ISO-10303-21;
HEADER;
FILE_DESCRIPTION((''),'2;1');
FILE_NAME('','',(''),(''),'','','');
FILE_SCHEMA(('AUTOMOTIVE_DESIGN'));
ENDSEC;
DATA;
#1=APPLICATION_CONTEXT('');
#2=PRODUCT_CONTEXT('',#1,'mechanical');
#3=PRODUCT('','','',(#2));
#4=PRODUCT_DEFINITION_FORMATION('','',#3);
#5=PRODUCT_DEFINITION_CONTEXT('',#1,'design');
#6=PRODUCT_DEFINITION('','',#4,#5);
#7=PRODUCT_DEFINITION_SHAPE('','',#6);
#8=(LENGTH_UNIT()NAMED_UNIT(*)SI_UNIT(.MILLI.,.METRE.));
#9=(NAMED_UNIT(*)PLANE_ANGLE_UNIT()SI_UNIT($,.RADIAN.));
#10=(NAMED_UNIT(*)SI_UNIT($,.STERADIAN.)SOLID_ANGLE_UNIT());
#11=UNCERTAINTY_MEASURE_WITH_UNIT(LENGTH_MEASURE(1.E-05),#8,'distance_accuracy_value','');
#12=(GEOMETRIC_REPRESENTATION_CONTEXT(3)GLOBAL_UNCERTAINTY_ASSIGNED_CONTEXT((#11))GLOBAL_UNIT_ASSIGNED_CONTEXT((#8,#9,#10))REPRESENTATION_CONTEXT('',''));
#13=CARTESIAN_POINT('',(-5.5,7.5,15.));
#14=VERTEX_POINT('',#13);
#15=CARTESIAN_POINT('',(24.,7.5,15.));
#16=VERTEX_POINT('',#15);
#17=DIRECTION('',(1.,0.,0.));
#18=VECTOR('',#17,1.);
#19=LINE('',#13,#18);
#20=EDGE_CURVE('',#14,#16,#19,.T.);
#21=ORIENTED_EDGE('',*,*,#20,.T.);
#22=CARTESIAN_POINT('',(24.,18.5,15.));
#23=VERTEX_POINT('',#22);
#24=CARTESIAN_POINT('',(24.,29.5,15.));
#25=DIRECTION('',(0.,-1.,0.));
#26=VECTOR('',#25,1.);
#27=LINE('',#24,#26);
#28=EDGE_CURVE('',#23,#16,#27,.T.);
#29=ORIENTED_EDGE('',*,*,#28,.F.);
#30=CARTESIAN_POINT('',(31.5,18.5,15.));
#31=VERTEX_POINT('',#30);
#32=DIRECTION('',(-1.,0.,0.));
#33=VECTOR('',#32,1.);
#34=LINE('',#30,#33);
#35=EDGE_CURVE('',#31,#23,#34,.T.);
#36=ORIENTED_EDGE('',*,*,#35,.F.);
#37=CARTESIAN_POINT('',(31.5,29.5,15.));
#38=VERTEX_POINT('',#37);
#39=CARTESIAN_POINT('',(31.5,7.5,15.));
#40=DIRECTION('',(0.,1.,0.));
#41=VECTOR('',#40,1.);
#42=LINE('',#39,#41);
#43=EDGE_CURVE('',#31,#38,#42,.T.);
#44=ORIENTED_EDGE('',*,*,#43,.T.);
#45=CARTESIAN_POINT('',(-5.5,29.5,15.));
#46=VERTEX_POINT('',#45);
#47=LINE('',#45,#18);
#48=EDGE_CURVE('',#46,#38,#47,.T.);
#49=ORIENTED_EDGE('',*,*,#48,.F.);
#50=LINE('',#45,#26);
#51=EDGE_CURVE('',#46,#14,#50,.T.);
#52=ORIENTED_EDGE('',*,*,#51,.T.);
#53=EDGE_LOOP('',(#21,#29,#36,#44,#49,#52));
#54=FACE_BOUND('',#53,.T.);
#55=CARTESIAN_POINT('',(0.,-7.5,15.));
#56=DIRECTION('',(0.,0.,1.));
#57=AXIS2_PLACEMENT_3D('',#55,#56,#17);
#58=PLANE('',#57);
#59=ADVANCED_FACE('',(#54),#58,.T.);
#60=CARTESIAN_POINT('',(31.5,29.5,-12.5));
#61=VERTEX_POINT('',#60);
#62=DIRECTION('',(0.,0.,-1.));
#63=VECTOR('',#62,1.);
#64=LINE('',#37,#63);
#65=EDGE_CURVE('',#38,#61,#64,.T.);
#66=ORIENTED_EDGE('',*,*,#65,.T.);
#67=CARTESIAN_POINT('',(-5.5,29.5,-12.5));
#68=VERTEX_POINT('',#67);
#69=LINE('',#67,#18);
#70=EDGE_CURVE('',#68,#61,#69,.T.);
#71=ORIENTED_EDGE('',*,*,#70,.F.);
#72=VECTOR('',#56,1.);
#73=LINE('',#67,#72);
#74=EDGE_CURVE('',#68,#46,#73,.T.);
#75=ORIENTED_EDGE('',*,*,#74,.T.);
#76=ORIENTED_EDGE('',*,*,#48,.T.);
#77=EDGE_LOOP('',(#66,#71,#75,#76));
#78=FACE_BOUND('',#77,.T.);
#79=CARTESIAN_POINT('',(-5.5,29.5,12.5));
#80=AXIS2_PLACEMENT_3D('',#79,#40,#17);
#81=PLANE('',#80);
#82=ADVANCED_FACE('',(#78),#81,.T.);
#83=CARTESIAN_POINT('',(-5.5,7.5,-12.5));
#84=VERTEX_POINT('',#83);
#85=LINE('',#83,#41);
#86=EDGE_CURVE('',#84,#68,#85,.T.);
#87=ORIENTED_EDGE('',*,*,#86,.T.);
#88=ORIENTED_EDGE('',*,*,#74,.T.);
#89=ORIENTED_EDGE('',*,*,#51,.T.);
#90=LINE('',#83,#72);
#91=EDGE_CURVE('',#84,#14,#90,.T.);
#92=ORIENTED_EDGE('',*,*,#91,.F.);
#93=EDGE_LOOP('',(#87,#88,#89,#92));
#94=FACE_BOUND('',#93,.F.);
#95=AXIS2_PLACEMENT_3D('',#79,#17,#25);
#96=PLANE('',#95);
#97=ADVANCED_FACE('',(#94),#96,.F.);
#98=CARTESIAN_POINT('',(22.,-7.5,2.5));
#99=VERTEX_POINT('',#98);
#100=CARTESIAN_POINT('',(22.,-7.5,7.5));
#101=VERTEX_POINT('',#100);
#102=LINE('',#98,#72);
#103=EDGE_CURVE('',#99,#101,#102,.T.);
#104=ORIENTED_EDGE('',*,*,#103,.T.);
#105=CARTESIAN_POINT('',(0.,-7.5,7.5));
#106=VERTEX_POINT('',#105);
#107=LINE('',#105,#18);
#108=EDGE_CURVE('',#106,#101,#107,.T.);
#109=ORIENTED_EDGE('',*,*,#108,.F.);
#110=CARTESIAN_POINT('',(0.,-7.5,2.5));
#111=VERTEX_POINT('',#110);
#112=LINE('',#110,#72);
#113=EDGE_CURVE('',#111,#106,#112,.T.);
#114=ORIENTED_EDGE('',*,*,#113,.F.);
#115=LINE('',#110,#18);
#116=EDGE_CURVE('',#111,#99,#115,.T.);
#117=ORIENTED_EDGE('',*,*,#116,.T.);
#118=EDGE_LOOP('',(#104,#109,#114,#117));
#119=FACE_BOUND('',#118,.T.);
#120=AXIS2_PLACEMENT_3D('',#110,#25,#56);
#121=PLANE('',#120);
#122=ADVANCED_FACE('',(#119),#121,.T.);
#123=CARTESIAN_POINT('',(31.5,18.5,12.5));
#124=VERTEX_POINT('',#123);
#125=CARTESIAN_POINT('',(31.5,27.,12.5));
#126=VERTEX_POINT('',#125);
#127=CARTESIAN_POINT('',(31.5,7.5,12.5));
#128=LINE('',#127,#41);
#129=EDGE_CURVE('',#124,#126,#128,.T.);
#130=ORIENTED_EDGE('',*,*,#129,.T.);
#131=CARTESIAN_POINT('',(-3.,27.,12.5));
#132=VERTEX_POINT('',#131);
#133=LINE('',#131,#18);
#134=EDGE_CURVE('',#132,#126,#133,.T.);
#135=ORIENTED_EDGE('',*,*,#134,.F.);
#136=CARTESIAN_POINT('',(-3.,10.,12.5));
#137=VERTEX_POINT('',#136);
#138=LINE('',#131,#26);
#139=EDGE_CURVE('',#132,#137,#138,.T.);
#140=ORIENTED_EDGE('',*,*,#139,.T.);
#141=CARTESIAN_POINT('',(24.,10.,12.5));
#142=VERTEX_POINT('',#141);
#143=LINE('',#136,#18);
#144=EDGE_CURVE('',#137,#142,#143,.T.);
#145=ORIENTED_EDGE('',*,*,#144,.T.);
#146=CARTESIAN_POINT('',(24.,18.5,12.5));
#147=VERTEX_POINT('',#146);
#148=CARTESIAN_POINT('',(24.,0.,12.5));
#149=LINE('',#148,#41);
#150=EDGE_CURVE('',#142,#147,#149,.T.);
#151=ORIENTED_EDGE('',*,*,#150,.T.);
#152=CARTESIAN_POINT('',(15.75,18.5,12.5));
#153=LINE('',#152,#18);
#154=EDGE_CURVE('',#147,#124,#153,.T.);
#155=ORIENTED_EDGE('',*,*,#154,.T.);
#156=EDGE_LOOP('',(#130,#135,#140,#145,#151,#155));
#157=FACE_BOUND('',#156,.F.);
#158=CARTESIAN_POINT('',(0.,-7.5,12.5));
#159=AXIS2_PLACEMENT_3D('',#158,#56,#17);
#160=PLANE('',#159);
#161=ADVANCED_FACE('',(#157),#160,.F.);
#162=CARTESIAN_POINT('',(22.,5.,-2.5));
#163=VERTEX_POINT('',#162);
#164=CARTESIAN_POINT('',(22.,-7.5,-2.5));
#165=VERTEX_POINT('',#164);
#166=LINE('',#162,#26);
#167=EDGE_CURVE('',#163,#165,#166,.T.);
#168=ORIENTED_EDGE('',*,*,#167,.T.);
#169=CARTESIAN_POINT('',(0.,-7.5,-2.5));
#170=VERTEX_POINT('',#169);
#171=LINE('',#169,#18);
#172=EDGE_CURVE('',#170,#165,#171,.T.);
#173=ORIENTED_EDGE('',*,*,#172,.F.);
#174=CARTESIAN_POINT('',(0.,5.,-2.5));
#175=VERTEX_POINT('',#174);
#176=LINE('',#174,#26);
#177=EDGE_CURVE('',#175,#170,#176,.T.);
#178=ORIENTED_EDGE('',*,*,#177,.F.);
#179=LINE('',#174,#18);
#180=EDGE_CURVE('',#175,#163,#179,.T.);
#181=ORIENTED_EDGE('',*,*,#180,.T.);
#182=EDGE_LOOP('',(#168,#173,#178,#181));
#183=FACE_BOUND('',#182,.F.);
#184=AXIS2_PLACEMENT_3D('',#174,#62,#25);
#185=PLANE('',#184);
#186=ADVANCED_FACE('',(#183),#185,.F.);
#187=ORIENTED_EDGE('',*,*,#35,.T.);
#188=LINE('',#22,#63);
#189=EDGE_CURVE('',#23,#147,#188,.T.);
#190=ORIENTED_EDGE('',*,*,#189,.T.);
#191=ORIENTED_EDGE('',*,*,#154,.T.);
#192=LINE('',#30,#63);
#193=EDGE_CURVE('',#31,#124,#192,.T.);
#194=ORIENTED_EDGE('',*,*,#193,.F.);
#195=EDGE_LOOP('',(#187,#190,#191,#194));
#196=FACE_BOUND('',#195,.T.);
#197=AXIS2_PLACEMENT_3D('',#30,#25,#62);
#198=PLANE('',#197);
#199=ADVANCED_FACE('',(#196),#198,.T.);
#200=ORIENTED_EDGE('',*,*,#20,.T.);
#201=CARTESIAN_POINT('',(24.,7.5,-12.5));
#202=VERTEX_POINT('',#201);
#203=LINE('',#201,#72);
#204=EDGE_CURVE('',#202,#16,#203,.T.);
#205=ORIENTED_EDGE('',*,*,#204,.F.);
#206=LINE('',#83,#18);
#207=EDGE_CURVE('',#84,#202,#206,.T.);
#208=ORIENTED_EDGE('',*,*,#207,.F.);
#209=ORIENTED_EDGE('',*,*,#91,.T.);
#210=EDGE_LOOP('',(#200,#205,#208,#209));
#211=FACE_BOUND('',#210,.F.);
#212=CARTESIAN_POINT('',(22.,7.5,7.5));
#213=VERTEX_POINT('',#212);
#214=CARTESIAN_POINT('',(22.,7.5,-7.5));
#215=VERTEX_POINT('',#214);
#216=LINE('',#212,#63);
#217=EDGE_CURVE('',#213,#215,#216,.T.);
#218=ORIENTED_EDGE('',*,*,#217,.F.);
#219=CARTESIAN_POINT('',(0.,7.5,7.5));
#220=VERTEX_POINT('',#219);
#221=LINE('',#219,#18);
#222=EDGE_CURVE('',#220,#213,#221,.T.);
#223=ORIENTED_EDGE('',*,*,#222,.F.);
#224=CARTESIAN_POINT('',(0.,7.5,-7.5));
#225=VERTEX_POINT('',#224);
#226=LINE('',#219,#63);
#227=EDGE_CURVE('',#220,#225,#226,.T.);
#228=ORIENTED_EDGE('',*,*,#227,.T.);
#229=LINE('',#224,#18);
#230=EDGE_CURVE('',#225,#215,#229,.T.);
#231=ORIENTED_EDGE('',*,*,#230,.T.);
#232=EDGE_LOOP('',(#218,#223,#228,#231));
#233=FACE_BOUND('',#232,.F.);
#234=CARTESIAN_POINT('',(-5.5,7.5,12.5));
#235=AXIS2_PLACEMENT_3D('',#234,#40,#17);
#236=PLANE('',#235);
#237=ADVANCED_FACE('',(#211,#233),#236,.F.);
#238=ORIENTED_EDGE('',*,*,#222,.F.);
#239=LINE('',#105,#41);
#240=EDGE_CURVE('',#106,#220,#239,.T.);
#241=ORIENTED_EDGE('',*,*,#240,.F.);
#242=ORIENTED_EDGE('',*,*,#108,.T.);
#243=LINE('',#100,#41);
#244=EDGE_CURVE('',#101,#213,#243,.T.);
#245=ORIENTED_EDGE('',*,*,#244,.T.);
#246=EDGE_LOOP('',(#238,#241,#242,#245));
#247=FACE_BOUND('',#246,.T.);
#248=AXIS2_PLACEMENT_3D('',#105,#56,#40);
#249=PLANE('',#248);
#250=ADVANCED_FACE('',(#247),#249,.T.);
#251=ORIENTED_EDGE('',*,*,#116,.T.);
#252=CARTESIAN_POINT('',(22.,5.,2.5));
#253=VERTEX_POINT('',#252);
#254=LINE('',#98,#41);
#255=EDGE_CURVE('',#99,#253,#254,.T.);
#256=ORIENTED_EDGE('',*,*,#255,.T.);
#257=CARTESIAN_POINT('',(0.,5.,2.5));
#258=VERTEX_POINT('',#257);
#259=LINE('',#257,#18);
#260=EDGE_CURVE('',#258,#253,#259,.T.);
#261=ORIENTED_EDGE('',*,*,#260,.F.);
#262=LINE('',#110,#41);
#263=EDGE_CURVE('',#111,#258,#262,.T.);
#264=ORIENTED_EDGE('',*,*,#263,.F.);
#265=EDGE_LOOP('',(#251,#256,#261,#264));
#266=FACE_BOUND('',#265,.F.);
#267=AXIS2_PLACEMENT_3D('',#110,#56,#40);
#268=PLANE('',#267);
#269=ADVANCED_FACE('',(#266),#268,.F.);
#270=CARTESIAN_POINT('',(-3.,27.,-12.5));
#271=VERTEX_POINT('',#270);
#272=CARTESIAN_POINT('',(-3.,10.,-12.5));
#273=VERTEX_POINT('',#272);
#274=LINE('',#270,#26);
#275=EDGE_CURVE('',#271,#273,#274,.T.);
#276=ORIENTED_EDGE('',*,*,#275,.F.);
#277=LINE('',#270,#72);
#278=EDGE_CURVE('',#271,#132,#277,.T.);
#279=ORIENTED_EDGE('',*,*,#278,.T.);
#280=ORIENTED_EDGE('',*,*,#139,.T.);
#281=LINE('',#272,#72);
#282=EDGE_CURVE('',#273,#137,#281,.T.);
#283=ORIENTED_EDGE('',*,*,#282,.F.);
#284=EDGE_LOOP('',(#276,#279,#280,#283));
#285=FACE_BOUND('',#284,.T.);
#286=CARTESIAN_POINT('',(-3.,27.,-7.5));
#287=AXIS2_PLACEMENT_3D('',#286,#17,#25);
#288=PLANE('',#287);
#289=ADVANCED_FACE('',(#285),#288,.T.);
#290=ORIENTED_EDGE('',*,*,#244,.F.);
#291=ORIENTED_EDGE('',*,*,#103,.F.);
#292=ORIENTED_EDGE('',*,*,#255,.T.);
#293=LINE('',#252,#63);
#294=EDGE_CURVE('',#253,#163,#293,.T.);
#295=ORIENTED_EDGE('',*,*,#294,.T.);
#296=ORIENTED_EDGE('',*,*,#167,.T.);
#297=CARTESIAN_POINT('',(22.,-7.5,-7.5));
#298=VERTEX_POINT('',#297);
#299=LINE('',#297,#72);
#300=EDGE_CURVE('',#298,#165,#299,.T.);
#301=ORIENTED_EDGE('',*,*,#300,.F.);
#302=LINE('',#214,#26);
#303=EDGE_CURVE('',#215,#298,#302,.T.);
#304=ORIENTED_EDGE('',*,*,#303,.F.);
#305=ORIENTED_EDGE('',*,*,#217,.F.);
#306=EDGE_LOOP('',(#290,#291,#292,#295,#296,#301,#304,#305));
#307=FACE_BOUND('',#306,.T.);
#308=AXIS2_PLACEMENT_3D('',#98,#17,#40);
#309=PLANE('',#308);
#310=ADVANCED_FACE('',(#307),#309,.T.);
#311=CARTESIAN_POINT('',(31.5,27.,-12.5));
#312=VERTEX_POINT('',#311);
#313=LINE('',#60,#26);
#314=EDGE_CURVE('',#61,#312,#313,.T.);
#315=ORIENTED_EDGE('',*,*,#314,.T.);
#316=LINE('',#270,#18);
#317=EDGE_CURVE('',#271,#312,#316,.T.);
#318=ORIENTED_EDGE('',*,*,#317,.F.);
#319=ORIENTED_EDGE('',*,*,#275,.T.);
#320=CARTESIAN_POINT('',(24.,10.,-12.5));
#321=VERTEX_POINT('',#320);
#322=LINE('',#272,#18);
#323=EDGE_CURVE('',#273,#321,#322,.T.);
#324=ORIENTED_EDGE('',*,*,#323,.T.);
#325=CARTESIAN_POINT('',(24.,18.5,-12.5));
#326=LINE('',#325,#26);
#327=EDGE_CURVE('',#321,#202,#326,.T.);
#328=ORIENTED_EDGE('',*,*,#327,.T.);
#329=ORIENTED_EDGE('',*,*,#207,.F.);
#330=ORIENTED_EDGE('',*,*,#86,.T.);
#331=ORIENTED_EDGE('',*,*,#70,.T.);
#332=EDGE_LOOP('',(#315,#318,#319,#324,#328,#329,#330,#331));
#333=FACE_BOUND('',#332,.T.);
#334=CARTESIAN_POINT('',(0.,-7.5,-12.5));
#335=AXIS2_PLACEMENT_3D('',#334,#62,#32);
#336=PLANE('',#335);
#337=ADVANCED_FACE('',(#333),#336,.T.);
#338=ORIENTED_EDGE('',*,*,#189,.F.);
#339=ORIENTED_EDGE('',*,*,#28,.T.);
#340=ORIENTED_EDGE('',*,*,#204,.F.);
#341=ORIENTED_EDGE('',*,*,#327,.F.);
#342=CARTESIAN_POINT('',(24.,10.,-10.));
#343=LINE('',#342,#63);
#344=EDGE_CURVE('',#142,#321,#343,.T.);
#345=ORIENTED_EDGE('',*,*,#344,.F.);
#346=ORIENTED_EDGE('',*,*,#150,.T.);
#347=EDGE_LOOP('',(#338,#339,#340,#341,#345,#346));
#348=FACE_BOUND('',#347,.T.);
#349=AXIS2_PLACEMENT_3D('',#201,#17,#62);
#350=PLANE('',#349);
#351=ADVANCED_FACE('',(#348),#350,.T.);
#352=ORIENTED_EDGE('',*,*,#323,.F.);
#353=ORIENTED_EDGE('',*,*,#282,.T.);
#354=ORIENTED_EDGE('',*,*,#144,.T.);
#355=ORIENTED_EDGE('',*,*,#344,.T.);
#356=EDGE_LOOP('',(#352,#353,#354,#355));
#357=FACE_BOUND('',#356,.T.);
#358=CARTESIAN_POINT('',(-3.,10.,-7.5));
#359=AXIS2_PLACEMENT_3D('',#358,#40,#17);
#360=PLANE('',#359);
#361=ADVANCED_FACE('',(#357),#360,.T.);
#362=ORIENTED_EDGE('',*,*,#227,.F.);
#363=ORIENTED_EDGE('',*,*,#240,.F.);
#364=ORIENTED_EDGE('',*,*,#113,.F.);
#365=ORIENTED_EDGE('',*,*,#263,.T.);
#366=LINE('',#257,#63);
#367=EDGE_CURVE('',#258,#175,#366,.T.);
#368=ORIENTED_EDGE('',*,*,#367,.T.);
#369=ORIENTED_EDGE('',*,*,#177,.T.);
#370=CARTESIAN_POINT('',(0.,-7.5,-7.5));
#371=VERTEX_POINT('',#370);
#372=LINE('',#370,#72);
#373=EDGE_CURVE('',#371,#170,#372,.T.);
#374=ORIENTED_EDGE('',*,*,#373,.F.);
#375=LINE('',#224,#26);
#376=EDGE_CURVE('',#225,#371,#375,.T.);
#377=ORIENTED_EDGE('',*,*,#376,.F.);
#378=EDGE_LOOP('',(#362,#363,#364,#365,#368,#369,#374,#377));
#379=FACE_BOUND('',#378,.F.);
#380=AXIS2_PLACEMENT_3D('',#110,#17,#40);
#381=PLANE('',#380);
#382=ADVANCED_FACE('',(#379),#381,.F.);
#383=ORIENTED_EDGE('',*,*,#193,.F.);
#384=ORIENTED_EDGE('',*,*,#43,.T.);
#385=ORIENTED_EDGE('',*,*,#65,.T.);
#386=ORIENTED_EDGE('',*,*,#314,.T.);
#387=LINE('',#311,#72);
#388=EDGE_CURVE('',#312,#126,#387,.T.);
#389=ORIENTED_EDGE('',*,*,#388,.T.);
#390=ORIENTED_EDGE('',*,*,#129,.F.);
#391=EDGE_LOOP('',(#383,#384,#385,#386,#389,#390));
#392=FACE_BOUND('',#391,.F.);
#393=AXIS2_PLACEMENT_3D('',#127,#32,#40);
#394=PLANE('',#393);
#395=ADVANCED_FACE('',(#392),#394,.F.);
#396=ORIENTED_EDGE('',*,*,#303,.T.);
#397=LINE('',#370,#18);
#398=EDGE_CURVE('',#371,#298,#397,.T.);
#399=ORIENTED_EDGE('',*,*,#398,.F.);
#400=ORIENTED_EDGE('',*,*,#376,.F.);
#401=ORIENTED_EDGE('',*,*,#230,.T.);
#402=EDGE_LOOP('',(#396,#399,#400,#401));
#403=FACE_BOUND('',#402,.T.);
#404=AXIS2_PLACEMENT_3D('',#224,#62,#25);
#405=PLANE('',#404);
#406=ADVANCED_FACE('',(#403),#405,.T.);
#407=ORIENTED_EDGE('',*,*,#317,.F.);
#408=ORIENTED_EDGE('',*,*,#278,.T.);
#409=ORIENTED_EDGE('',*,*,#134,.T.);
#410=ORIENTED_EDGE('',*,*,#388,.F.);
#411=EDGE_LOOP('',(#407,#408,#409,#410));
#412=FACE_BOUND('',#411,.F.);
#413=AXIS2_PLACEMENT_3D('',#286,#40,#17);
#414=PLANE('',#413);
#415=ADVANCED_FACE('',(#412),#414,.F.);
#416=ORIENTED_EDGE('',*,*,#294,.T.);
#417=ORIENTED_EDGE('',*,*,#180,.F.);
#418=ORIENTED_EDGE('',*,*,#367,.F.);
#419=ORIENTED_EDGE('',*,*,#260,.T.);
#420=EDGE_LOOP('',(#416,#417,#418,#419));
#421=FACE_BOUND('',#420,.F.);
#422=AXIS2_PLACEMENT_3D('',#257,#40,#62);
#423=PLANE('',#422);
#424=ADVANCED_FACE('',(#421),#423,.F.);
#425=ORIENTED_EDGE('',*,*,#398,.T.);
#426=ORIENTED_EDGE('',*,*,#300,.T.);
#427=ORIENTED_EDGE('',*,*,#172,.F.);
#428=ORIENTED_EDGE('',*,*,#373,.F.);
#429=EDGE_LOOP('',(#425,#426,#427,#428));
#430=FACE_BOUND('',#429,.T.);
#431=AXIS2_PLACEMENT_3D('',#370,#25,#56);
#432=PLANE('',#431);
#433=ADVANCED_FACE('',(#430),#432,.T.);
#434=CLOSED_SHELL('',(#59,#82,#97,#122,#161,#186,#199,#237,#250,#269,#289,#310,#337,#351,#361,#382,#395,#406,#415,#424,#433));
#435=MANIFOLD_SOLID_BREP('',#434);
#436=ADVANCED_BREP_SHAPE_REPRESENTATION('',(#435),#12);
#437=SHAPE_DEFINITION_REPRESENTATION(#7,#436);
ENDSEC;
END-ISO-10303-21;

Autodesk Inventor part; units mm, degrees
ref_plane "YZ Plane" through (0, 0, 0) normal (1, 0, 0) x (0, 1, 0)
ref_plane "XZ Plane" through (0, 0, 0) normal (0, 1, 0) x (-1, 0, 0)
ref_plane "XY Plane" through (0, 0, 0) normal (0, 0, 1) x (1, 0, 0)
sketch "Sketch2" plane through (0, -7.5, 2.5) normal (1, 0, 0) x (0, 1, 0)
  line L0 (0, 0) -> (12.5, 0)
  line L1 (12.5, 0) -> (12.5, -5)
  line L2 (12.5, -5) -> (0, -5)
  line L3 (0, 0) -> (0, 5)
  line L4 (0, 5) -> (15, 5)
  line L5 (15, 5) -> (15, -10)
  line L6 (15, -10) -> (0, -10)
  line L7 (0, -10) -> (0, -5)
  dimension "d11" = 12.5
  dimension "d10" = 5
  dimension "d9" = 15
  dimension "d8" = 15
  dimension "d12" = 5
extrude "Extrusion2" add sketch "Sketch2" along normal blind 22
sketch "Sketch4" plane through (0, -7.5, -7.5) normal (0, 0, -1) x (-1, 0, 0)
  line L0 (0, 0) -> (0, 15) projected
  line L1 (0, 15) -> (-22, 15) projected
  line L2 (-22, 0) -> (-22, 15) projected
  line L3 (0, 0) -> (-22, 0) projected
  line L4 (5.5, 15) -> (-31.5, 15)
  line L5 (-31.5, 37) -> (-31.5, 34.5)
  line L6 (5.5, 15) -> (5.5, 37)
  line L7 (5.5, 37) -> (3, 37)
  line L8 (3, 34.5) -> (3, 17.5)
  line L9 (3, 17.5) -> (-31.5, 17.5)
  line L10 (-31.5, 17.5) -> (-31.5, 15)
  line L11 (3, 37) -> (-31.5, 37)
  line L12 (3, 34.5) -> (-31.5, 34.5)
  point P0 (0, 7.5)
  dimension "d29" = 5.5
  dimension "d32" = 19.5
  dimension "d33" = 2.5
  dimension "d34" = 2.5
  dimension "d35" = 22
  dimension "d38" = 15
  dimension "d58" = 2.5
  dimension "d65" = 37
  dimension "d66" = 34.5
  dimension "d67" = 2.5
extrude "Extrusion4" add sketch "Sketch4" against normal blind 20 and the other way blind 5 contours L1 L4 L10 L9 L8 L12 L5 L11 L7 L6
sketch "Sketch9" plane through (0, -7.5, 12.5) normal (0, 0, 1) x (1, 0, 0)
  line L0 (-5.5, 37) -> (31.5, 37) projected
  line L1 (-5.5, 37) -> (-5.5, 15) projected
  line L2 (31.5, 37) -> (-5.5, 37)
  line L3 (-5.5, 37) -> (-5.5, 15)
  line L4 (-5.5, 15) -> (31.5, 15)
  line L5 (31.5, 15) -> (31.5, 37)
  point P0 (0, 7.5)
extrude "Extrusion9" add sketch "Sketch9" along normal blind 2.5
sketch "Sketch10" plane through (31.5, 7.5, -12.5) normal (1, 0, 0) x (0, 0, -1)
  line L0 (-27.5, 22) -> (-27.5, 0) projected
  line L1 (0, 0) -> (-27.5, 0) projected
  line L2 (-27.5, 11) -> (0, 11)
  line L3 (0, 11) -> (0, 0)
  line L4 (0, 0) -> (-27.5, 0)
  line L5 (-27.5, 0) -> (-27.5, 11)
  point P0 (-12.5, -7.5)
extrude "Extrusion10" cut sketch "Sketch10" against normal blind 7.5
properties part number "battery-holder-two"
